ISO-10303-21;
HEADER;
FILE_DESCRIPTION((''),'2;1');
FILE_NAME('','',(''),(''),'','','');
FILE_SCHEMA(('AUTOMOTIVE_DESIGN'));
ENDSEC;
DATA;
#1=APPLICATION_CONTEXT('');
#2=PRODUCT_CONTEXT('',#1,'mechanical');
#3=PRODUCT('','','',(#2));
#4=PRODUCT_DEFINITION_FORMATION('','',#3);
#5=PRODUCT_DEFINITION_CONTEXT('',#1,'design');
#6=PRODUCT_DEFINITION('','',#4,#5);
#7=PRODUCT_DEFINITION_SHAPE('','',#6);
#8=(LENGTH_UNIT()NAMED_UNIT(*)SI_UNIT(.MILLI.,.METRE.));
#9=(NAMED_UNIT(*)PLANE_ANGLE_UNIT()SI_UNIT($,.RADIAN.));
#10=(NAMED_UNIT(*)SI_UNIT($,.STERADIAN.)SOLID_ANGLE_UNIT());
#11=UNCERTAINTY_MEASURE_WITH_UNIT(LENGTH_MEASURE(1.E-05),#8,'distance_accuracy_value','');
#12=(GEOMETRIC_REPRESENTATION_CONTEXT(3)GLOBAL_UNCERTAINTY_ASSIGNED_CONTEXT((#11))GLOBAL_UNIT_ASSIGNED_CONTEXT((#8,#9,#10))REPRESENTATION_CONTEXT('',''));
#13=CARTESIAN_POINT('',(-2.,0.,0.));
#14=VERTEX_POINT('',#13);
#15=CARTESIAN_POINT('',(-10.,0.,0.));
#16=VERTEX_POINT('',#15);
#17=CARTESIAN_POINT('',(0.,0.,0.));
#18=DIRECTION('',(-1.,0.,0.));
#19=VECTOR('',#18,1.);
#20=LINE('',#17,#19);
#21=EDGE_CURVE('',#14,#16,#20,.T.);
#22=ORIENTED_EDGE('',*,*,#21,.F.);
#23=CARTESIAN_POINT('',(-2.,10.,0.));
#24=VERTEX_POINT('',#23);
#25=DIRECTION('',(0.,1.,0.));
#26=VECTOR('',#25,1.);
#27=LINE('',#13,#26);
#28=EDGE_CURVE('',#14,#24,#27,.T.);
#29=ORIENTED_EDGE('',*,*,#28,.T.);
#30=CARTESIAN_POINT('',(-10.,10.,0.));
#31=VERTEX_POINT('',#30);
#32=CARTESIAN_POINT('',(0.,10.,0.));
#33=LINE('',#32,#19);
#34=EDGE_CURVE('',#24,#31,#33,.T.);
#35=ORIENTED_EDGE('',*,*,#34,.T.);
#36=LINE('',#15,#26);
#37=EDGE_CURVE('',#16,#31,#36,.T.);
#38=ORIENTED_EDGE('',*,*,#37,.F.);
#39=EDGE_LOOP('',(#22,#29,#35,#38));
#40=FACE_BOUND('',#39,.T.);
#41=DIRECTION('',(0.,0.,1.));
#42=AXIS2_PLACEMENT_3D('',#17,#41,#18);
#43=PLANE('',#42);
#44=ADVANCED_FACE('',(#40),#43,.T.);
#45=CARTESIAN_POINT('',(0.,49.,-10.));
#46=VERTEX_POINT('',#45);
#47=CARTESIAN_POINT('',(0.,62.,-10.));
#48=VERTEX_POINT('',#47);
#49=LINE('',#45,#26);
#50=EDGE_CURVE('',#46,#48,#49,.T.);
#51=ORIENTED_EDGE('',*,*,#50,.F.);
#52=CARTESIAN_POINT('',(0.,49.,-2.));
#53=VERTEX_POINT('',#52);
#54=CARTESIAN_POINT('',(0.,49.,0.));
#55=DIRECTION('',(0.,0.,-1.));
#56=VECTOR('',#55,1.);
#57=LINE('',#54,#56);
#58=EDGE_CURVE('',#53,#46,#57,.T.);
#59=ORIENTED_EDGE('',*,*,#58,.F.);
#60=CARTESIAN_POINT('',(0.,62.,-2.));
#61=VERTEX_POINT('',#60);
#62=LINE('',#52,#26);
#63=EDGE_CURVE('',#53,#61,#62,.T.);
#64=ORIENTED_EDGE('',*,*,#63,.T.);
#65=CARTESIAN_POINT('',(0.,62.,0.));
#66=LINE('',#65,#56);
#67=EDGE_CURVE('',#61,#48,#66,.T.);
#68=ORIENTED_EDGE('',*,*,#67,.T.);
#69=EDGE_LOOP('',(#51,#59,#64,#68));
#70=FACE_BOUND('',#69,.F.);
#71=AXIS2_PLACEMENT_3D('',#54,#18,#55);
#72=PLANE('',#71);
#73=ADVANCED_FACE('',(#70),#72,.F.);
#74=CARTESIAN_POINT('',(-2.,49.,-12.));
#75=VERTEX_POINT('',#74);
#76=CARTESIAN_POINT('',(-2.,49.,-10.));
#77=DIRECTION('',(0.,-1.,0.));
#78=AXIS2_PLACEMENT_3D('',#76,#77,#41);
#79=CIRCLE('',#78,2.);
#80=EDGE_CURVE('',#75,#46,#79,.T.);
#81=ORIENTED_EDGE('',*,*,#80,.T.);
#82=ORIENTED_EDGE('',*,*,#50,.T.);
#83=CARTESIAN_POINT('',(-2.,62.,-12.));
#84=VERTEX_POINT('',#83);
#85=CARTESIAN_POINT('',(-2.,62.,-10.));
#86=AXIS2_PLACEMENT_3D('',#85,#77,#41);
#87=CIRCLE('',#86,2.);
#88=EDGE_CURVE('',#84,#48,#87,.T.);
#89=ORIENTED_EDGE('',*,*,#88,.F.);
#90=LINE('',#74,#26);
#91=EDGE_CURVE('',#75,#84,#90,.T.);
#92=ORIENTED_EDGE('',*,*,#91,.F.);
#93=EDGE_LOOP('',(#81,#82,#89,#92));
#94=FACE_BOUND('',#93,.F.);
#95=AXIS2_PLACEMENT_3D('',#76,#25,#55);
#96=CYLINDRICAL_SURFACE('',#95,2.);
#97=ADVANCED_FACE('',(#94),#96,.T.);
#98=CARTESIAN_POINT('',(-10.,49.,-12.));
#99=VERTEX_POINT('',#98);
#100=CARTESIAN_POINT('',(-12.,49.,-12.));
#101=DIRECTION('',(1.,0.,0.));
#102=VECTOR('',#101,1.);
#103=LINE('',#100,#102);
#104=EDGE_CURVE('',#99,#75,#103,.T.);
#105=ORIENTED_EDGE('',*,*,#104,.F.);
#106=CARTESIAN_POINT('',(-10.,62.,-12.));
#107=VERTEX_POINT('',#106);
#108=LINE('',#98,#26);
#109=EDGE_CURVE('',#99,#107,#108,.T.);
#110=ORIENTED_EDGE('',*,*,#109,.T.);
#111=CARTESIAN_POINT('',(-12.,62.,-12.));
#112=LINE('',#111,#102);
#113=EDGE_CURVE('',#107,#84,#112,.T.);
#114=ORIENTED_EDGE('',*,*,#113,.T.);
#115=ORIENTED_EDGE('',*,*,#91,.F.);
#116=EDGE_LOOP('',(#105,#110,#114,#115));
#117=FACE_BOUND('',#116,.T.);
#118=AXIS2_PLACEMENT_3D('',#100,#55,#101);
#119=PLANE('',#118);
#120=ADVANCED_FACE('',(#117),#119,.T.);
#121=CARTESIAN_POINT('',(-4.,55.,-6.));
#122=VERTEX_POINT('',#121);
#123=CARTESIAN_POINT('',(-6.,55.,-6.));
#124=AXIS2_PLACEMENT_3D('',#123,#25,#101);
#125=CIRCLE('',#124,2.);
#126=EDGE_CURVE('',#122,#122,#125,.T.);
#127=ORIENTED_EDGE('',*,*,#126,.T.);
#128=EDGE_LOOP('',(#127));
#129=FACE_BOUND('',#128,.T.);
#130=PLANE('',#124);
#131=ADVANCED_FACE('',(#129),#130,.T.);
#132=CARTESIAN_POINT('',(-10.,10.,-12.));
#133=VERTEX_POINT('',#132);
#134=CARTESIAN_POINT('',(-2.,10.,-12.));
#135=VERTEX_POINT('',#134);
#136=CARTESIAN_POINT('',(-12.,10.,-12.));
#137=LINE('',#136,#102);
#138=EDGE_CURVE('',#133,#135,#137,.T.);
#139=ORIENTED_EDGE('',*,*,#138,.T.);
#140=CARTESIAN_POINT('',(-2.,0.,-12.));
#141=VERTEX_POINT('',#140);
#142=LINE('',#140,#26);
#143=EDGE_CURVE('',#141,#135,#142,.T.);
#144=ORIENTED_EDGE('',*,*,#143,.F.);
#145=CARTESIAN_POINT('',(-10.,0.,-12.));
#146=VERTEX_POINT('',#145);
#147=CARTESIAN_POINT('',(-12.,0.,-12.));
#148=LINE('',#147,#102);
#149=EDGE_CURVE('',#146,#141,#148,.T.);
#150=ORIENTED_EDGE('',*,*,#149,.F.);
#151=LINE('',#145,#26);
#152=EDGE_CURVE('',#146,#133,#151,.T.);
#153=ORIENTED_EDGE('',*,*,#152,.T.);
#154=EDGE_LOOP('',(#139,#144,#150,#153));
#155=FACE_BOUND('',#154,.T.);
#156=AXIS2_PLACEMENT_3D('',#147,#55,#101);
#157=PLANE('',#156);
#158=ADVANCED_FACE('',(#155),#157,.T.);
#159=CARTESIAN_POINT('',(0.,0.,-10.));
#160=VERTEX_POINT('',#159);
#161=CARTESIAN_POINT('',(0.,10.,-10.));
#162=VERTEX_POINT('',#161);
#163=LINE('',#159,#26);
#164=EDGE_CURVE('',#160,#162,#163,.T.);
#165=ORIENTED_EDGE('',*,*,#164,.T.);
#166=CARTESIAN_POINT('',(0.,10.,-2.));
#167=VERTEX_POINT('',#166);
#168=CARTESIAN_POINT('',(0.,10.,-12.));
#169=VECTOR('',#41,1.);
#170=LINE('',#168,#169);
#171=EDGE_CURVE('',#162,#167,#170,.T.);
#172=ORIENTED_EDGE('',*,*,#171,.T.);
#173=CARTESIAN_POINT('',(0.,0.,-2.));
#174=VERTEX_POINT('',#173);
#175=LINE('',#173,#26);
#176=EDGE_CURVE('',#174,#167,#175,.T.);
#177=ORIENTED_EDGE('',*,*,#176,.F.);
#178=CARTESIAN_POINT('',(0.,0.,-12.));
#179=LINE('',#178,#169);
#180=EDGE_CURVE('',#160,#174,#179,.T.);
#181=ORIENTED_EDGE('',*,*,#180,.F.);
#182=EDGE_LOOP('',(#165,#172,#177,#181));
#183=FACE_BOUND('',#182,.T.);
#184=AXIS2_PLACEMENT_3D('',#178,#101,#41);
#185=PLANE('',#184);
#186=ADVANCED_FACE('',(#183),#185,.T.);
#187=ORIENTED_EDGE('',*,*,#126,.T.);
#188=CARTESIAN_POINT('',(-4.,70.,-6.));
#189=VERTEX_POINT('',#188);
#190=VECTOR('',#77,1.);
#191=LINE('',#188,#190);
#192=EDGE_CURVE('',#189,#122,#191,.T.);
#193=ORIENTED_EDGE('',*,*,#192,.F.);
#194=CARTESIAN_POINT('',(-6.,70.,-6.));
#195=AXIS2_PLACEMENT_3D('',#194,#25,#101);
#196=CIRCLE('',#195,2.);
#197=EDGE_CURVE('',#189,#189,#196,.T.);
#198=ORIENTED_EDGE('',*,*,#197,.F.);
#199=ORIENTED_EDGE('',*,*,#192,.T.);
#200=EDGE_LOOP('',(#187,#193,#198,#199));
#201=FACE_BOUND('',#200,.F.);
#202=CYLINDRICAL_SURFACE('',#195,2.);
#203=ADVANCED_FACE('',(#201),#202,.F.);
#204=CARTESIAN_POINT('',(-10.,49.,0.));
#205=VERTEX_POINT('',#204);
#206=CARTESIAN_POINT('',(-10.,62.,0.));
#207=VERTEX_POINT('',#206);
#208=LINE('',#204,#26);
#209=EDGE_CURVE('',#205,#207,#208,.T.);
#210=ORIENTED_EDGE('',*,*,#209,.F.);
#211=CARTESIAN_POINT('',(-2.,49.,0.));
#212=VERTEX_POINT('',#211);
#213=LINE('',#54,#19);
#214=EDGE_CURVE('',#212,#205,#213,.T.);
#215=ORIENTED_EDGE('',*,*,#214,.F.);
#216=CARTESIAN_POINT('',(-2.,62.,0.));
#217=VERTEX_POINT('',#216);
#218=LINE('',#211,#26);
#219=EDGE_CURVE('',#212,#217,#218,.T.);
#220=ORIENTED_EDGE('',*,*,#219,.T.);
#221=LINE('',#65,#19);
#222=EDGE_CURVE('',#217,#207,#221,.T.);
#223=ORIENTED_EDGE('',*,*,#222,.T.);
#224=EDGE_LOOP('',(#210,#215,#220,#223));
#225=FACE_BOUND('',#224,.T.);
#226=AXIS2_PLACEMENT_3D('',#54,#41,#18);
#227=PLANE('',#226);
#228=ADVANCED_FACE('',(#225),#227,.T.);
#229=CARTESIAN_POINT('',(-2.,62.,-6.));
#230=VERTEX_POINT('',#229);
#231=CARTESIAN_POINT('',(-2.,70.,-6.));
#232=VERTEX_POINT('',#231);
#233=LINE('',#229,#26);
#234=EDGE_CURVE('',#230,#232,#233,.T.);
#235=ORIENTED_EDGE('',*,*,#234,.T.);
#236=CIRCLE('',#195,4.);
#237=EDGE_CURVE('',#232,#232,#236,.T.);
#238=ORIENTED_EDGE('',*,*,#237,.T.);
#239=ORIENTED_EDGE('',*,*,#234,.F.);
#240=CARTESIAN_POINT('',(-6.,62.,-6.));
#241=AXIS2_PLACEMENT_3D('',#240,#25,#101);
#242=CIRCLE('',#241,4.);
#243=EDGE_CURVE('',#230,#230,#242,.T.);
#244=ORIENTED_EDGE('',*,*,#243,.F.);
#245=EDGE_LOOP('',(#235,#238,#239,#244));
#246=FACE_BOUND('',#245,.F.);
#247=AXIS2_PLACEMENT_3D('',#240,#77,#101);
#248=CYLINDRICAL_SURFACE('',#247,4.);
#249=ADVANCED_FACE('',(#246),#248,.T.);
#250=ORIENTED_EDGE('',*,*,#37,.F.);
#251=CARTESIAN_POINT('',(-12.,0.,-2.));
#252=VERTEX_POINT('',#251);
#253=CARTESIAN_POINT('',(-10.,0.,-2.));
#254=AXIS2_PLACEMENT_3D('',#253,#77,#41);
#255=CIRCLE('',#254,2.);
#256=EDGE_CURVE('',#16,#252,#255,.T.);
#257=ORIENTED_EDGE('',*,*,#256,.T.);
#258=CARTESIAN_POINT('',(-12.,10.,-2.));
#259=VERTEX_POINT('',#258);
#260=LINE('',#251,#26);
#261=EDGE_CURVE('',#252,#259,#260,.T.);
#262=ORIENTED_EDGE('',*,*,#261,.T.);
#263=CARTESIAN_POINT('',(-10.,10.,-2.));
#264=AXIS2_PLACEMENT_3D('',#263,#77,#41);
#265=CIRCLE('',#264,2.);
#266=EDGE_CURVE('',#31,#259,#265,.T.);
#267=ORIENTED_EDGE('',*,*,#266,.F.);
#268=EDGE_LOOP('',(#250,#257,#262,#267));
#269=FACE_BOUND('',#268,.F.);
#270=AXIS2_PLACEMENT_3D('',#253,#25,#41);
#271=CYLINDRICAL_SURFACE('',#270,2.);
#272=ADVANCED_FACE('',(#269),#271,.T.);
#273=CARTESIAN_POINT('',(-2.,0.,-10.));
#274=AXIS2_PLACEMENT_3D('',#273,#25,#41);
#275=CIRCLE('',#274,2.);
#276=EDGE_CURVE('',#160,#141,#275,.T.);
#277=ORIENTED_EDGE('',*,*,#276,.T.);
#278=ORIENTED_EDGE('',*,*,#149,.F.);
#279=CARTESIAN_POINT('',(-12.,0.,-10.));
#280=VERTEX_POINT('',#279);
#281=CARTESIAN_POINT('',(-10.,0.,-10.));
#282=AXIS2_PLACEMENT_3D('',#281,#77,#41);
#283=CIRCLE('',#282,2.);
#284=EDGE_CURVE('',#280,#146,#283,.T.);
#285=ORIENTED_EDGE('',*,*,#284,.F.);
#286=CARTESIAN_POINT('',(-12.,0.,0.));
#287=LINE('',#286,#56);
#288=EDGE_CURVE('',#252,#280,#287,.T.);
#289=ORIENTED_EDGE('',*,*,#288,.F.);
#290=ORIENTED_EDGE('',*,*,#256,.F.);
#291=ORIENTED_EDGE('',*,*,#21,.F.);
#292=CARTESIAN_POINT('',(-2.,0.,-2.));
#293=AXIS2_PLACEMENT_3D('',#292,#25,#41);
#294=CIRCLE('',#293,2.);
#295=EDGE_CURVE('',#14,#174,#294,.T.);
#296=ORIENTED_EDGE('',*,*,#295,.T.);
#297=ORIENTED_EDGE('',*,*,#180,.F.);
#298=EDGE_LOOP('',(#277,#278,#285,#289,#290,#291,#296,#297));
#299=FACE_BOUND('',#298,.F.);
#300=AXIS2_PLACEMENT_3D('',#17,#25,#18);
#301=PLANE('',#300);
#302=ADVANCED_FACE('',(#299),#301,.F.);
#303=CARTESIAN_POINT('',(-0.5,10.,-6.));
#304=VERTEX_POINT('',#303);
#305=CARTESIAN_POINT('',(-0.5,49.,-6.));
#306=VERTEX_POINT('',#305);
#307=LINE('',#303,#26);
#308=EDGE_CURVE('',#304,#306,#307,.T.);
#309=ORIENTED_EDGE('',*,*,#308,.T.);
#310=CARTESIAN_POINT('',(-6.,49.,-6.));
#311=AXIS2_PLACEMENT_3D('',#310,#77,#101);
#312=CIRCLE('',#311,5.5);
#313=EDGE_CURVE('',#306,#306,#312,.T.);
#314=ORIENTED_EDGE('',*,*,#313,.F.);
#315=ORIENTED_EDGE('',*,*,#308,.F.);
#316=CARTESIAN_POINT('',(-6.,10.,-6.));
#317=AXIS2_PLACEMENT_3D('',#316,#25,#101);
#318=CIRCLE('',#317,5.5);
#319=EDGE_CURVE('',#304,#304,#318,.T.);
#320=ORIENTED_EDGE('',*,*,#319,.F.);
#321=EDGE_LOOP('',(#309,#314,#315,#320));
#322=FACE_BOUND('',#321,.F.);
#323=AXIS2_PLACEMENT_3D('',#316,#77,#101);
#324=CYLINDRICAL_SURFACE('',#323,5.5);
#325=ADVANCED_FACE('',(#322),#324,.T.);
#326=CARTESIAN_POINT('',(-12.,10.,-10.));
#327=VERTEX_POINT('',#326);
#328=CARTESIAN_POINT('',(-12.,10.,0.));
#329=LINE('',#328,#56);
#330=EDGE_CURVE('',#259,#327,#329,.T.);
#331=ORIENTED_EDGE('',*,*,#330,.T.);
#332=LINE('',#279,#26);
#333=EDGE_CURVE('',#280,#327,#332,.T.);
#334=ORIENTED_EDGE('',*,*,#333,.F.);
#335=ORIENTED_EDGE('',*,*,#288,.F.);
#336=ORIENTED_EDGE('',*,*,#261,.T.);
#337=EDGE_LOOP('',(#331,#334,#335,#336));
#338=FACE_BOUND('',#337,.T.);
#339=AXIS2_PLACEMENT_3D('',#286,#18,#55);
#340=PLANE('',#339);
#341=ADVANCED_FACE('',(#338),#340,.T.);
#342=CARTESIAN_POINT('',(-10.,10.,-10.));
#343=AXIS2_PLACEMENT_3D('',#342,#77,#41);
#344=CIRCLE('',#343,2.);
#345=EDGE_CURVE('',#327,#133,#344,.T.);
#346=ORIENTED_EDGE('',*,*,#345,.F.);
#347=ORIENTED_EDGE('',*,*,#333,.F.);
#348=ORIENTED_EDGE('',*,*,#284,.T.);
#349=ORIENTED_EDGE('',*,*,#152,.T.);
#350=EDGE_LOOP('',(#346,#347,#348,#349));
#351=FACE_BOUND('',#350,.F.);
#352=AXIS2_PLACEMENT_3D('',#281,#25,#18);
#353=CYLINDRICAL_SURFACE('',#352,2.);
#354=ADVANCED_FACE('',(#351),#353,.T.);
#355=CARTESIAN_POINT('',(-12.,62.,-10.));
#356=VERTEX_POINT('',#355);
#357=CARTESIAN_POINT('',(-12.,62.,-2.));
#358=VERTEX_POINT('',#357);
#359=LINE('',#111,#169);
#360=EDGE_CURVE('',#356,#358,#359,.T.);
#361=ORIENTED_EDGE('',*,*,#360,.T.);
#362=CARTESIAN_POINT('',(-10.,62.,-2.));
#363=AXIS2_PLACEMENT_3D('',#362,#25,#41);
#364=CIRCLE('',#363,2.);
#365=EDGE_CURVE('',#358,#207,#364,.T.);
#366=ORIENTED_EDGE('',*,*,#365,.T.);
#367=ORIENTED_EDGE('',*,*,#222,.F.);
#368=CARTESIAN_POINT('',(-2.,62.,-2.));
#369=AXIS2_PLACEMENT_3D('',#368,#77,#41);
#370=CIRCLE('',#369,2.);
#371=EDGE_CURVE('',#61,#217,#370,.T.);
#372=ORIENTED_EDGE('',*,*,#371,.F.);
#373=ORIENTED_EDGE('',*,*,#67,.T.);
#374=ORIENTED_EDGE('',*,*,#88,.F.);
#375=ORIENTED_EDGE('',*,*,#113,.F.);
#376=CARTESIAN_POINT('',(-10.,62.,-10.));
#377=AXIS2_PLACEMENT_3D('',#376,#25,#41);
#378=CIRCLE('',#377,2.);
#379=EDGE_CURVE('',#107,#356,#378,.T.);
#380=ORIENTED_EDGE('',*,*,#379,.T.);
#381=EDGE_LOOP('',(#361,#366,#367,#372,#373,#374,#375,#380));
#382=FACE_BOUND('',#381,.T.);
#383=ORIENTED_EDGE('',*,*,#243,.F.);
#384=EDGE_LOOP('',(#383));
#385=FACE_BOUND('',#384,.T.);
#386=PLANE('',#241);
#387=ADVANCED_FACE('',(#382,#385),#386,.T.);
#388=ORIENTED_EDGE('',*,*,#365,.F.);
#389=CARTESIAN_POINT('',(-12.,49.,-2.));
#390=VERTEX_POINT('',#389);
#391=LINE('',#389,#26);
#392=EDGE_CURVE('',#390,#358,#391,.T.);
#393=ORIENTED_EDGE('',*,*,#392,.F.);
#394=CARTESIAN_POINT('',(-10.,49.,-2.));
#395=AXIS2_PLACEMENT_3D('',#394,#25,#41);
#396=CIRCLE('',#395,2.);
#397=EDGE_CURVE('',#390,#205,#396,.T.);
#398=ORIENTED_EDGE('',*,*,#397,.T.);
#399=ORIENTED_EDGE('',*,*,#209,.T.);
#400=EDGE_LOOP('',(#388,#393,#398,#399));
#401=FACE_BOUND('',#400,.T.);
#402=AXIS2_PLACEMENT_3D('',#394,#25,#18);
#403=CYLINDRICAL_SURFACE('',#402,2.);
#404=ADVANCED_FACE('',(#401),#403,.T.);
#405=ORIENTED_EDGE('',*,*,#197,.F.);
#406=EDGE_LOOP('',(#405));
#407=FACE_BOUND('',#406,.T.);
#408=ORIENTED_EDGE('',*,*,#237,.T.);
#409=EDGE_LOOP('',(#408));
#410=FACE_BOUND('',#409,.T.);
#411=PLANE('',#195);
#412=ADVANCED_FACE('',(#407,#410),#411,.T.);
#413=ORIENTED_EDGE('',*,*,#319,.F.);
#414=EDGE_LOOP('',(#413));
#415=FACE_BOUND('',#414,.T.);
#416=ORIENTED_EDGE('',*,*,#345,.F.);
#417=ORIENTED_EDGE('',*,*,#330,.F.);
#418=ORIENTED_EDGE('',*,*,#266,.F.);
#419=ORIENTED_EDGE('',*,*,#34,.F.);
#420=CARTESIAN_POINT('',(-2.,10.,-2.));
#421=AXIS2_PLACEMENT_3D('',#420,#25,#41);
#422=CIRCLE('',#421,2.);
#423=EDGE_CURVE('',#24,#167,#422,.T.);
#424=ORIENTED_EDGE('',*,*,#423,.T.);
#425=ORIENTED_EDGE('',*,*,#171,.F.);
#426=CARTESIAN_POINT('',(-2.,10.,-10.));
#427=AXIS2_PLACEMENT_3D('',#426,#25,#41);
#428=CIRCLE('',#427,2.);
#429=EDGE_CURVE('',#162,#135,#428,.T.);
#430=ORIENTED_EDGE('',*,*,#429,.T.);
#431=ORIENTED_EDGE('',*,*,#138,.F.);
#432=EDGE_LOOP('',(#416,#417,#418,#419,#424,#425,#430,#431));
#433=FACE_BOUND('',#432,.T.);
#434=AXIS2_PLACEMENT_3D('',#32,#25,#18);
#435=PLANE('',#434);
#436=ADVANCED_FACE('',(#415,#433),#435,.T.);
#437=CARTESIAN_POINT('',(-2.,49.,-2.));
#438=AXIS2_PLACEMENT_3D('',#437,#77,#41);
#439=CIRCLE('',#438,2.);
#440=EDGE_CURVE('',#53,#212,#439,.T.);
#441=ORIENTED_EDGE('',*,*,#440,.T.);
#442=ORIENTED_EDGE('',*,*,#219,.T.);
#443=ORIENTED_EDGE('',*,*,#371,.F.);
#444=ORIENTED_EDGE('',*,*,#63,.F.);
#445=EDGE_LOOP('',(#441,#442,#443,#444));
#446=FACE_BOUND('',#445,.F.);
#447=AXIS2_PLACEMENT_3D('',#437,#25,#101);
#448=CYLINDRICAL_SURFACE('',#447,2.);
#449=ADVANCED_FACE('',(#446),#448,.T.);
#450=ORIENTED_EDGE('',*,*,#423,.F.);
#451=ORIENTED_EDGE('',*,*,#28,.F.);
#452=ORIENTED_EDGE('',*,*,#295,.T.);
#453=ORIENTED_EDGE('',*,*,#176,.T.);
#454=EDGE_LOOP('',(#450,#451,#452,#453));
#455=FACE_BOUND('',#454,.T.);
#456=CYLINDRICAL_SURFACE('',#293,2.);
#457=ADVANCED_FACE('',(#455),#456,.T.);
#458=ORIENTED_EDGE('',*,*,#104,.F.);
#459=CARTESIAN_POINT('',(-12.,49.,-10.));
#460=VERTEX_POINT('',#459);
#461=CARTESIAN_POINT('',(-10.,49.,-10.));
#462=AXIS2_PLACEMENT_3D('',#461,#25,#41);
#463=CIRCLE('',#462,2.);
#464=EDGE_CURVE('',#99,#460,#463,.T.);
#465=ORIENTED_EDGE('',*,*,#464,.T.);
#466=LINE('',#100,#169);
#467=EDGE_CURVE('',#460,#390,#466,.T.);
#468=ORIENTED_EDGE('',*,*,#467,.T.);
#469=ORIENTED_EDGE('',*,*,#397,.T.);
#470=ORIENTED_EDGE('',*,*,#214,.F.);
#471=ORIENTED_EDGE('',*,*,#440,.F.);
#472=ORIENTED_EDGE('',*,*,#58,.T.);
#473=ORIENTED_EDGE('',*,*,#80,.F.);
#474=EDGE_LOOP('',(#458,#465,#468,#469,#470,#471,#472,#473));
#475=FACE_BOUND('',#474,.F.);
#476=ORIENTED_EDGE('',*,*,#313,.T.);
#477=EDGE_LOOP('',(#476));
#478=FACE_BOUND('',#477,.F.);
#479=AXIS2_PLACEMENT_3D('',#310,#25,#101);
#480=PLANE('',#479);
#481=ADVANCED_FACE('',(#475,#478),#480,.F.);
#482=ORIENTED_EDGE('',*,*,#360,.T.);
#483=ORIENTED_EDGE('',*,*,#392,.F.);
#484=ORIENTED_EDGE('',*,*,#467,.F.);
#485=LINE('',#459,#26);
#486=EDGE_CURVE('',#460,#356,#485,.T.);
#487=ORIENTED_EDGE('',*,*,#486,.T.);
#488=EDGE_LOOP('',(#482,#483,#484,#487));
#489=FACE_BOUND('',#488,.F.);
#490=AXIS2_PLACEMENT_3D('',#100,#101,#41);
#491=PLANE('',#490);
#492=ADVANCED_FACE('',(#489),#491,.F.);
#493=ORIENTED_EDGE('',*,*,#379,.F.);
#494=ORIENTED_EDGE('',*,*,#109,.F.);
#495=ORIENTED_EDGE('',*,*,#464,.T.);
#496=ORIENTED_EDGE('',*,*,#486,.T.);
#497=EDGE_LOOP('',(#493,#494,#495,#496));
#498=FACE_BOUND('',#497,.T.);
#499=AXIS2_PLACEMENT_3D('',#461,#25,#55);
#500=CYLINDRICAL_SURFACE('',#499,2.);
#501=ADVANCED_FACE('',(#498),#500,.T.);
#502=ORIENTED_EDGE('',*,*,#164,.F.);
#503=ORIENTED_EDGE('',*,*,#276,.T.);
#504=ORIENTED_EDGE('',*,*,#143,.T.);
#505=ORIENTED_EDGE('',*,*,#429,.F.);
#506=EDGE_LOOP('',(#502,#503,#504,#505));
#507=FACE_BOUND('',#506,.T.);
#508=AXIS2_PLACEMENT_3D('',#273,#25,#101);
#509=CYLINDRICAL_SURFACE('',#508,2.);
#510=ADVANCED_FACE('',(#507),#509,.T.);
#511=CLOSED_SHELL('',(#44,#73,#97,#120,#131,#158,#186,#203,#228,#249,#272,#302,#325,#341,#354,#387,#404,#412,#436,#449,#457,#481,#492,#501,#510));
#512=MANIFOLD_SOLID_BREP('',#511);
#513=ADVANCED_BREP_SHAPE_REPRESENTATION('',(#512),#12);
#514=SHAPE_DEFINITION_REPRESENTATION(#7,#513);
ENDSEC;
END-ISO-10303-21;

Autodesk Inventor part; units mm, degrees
ref_plane "YZ Plane" through (0, 0, 0) normal (1, 0, 0) x (0, 1, 0)
ref_plane "XZ Plane" through (0, 0, 0) normal (0, 1, 0) x (-1, 0, 0)
ref_plane "XY Plane" through (0, 0, 0) normal (0, 0, 1) x (1, 0, 0)
sketch "スケッチ1" plane through (0, 0, 0) normal (0, 1, 0) x (-1, 0, 0)
  line L0 (0, 0) -> (12, 0)
  line L1 (12, 0) -> (12, -12)
  line L2 (12, -12) -> (0, -12)
  line L3 (0, -12) -> (0, 0)
  dimension "d0" = 12
  dimension "d1" = 12
extrude "押し出し1" add sketch "スケッチ1" along normal blind 10
sketch "スケッチ2" plane through (0, 10, 0) normal (0, 1, 0) x (1, 0, 0)
  line L0 (-12, 0) -> (0, 0) projected
  line L1 (-6, 0) -> (-6, 12)
  line L2 (0, 12) -> (-12, 12) projected
  line L3 (-12, 12) -> (-12, 0) projected
  line L4 (-12, 6) -> (0, 6)
  circle A0 centre (-6, 6) radius 5.5
  dimension "d4" = 11
extrude "押し出し2" add sketch "スケッチ2" along normal blind 39 contours A0 L4 L1 | L1 L4 A0 | A0 L1 L4 | L1 A0 L4
sketch "スケッチ3" plane through (-6, 49, -6) normal (0, 1, 0) x (1, 0, 0)
  line L0 (-6, 6) -> (-6, -6) projected
  line L1 (6, -6) -> (6, 6) projected
  line L2 (-6, 6) -> (6, 6)
  line L3 (6, 6) -> (6, -6)
  line L4 (6, -6) -> (-6, -6)
  line L5 (-6, -6) -> (-6, 6)
extrude "押し出し3" add sketch "スケッチ3" along normal blind 13
fillet "フィレット1" radius 2 8 edges at (0, 55.5, 0) (0, 5, 0) (0, 5, -12) (0, 55.5, -12) (-12, 55.5, 0) (-12, 5, 0) (-12, 5, -12) (-12, 55.5, -12)
sketch "スケッチ4" plane through (-6, 62, -6) normal (0, 1, 0) x (1, 0, 0)
  circle A0 centre (0, 0) radius 4
  point P0 (6, -6)
  dimension "d10" = 8
extrude "押し出し4" add sketch "スケッチ4" along normal blind 8
sketch "スケッチ5" plane through (-6, 70, -6) normal (0, 1, 0) x (1, 0, 0)
  circle A0 centre (0, 0) radius 2
  point P0 (6, -6)
  dimension "d13" = 4
extrude "押し出し5" cut sketch "スケッチ5" against normal blind 15
properties part number "summer_cilinder"
